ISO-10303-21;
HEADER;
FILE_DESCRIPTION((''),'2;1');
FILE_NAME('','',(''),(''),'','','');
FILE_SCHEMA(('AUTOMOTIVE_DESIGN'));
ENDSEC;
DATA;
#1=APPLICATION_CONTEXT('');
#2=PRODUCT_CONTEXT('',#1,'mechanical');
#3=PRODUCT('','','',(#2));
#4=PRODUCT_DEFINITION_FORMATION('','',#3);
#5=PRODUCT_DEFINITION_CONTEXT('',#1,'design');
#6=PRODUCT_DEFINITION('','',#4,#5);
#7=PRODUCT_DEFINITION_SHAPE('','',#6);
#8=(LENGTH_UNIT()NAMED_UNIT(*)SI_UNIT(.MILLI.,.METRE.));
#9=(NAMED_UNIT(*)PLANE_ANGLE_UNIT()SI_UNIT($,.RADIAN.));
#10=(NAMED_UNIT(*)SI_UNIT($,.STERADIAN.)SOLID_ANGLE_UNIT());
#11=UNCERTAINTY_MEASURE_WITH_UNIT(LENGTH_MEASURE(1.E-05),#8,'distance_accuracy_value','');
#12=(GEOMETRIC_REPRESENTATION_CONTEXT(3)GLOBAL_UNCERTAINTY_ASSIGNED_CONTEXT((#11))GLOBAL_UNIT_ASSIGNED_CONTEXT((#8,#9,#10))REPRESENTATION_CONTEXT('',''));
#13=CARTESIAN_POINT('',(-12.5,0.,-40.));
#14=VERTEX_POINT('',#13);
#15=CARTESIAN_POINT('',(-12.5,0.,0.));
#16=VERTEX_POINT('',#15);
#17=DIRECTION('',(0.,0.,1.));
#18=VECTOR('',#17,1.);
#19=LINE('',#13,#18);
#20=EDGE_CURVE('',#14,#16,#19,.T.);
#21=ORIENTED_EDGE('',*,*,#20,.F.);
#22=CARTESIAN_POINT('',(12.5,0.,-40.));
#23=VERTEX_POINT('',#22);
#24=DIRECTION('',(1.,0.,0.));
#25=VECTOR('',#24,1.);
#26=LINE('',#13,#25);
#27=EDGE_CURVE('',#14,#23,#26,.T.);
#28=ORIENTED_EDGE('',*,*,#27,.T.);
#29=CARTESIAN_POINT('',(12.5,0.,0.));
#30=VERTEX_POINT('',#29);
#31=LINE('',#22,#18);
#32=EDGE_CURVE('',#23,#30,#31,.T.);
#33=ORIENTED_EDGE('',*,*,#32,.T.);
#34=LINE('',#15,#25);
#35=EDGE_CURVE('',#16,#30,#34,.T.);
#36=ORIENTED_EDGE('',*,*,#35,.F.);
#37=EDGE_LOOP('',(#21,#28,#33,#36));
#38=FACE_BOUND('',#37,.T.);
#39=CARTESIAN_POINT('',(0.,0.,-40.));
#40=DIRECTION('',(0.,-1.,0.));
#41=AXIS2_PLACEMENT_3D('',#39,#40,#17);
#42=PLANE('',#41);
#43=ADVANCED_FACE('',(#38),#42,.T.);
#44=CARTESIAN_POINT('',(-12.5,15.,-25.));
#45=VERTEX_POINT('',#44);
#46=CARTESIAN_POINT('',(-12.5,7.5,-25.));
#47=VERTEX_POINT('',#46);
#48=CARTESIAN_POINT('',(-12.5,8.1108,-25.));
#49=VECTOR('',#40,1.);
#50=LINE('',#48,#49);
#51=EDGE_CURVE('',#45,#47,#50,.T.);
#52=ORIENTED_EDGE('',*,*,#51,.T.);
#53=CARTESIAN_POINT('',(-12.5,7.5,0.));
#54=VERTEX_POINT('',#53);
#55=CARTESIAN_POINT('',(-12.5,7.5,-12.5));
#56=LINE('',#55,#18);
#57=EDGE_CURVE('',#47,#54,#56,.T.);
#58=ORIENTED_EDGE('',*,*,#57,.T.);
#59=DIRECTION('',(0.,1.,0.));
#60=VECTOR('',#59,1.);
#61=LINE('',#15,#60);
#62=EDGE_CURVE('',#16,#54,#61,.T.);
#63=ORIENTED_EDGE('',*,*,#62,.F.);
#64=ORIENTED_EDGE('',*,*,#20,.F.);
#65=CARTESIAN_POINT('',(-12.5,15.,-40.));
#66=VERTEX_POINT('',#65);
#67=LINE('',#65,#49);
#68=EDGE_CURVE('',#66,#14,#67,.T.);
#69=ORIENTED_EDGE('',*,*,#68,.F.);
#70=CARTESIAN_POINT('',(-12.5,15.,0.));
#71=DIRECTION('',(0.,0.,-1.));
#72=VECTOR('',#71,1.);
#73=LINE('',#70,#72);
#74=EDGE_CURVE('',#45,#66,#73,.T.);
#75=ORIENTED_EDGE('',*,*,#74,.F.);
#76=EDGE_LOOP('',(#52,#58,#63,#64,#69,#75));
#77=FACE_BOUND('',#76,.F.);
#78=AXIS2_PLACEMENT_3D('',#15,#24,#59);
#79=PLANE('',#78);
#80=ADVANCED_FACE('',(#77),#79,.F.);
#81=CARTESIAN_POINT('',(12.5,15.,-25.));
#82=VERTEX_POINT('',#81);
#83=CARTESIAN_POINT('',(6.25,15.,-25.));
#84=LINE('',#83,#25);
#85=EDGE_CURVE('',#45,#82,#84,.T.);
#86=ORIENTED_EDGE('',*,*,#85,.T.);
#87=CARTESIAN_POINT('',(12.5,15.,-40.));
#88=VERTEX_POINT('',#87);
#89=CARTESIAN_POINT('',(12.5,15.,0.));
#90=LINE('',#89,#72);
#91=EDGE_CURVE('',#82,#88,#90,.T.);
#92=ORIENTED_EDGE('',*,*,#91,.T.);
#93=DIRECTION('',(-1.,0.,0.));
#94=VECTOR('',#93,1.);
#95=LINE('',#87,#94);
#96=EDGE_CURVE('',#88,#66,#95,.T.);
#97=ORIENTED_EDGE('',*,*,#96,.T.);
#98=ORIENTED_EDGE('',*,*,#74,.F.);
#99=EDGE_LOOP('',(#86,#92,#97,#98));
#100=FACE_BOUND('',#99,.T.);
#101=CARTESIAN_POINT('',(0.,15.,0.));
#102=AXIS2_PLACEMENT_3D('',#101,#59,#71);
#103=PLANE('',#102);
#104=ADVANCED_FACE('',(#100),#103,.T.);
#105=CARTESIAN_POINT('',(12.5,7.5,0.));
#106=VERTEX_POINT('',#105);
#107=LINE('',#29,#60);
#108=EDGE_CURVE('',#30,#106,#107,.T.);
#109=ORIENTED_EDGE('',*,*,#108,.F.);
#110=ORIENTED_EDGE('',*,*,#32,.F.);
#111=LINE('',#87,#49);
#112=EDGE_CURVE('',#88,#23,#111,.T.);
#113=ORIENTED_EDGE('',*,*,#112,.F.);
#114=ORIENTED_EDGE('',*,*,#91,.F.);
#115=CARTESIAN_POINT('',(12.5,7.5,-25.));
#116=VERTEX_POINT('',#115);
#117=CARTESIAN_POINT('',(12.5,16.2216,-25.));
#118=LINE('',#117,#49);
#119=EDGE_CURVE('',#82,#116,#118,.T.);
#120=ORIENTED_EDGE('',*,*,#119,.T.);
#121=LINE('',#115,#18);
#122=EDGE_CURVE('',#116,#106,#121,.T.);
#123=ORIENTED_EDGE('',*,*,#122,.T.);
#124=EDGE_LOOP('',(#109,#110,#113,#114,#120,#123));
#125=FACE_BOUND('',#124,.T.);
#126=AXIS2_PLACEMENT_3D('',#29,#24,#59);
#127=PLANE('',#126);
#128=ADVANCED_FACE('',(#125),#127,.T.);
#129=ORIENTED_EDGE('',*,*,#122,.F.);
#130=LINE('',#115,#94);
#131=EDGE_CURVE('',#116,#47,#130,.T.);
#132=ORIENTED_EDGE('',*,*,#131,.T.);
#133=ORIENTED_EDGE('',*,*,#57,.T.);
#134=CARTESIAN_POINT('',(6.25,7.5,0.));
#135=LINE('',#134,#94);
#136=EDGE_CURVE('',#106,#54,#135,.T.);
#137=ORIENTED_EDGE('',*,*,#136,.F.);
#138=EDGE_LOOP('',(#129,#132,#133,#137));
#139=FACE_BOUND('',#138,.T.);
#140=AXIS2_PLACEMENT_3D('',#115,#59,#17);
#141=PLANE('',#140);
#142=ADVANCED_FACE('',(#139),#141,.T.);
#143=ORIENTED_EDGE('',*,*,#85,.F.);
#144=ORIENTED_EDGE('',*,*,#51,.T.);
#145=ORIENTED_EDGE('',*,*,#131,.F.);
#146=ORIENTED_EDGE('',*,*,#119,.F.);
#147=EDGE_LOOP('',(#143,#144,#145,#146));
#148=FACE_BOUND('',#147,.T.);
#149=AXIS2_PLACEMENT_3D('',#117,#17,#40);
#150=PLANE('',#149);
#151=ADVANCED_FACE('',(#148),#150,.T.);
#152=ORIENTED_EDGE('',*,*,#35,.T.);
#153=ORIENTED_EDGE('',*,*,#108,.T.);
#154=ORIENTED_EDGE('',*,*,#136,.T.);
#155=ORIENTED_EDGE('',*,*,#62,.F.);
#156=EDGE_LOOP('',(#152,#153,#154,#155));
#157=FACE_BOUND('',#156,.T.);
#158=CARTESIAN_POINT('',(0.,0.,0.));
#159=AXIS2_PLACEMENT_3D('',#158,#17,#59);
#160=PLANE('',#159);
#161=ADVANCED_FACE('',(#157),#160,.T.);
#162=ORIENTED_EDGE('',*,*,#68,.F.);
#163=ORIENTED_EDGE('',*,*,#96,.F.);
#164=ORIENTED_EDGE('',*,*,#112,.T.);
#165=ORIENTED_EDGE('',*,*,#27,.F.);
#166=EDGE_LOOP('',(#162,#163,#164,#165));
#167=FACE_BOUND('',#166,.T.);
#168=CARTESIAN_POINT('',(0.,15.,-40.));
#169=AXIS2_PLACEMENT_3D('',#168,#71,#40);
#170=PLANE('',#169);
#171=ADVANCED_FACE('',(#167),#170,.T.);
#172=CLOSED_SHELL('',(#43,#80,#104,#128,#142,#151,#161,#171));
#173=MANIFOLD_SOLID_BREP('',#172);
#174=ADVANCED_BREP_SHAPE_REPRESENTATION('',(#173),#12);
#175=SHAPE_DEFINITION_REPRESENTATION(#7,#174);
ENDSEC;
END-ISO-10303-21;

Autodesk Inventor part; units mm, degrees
ref_plane "YZ Plane" through (0, 0, 0) normal (1, 0, 0) x (0, 1, 0)
ref_plane "XZ Plane" through (0, 0, 0) normal (0, 1, 0) x (-1, 0, 0)
ref_plane "XY Plane" through (0, 0, 0) normal (0, 0, 1) x (1, 0, 0)
sketch "Sketch1" plane through (0, 0, 0) normal (1, 0, 0) x (0, 1, 0)
  line L0 (0, 0) -> (15, 0)
  line L1 (15, 0) -> (15, -40)
  line L2 (15, -40) -> (0, -40)
  line L3 (0, -40) -> (0, 0)
  dimension "d0" = 40
  dimension "d1" = 15
extrude "Extrusion1" add sketch "Sketch1" along normal mid plane 25
sketch "Sketch2" plane through (12.5, 0, 0) normal (1, 0, 0) x (0, 0, -1)
  line L0 (-5, 16.2216) -> (25, 16.2216)
  line L1 (25, 16.2216) -> (25, 7.5)
  line L2 (25, 7.5) -> (-5, 7.5)
  line L3 (-5, 7.5) -> (-5, 16.2216)
  line L4 (40, 0) -> (40, 15) projected
  line L5 (0, 0) -> (40, 0) projected
  dimension "d4" = 15
  dimension "d5" = 30
  dimension "d6" = 7.5
extrude "Extrusion2" cut sketch "Sketch2" against normal through all
sketch "Sketch3" plane through (-12.5, 15, -40) normal (0, 1, 0) x (1, 0, 0)
  point P0 (12.5, -40)
